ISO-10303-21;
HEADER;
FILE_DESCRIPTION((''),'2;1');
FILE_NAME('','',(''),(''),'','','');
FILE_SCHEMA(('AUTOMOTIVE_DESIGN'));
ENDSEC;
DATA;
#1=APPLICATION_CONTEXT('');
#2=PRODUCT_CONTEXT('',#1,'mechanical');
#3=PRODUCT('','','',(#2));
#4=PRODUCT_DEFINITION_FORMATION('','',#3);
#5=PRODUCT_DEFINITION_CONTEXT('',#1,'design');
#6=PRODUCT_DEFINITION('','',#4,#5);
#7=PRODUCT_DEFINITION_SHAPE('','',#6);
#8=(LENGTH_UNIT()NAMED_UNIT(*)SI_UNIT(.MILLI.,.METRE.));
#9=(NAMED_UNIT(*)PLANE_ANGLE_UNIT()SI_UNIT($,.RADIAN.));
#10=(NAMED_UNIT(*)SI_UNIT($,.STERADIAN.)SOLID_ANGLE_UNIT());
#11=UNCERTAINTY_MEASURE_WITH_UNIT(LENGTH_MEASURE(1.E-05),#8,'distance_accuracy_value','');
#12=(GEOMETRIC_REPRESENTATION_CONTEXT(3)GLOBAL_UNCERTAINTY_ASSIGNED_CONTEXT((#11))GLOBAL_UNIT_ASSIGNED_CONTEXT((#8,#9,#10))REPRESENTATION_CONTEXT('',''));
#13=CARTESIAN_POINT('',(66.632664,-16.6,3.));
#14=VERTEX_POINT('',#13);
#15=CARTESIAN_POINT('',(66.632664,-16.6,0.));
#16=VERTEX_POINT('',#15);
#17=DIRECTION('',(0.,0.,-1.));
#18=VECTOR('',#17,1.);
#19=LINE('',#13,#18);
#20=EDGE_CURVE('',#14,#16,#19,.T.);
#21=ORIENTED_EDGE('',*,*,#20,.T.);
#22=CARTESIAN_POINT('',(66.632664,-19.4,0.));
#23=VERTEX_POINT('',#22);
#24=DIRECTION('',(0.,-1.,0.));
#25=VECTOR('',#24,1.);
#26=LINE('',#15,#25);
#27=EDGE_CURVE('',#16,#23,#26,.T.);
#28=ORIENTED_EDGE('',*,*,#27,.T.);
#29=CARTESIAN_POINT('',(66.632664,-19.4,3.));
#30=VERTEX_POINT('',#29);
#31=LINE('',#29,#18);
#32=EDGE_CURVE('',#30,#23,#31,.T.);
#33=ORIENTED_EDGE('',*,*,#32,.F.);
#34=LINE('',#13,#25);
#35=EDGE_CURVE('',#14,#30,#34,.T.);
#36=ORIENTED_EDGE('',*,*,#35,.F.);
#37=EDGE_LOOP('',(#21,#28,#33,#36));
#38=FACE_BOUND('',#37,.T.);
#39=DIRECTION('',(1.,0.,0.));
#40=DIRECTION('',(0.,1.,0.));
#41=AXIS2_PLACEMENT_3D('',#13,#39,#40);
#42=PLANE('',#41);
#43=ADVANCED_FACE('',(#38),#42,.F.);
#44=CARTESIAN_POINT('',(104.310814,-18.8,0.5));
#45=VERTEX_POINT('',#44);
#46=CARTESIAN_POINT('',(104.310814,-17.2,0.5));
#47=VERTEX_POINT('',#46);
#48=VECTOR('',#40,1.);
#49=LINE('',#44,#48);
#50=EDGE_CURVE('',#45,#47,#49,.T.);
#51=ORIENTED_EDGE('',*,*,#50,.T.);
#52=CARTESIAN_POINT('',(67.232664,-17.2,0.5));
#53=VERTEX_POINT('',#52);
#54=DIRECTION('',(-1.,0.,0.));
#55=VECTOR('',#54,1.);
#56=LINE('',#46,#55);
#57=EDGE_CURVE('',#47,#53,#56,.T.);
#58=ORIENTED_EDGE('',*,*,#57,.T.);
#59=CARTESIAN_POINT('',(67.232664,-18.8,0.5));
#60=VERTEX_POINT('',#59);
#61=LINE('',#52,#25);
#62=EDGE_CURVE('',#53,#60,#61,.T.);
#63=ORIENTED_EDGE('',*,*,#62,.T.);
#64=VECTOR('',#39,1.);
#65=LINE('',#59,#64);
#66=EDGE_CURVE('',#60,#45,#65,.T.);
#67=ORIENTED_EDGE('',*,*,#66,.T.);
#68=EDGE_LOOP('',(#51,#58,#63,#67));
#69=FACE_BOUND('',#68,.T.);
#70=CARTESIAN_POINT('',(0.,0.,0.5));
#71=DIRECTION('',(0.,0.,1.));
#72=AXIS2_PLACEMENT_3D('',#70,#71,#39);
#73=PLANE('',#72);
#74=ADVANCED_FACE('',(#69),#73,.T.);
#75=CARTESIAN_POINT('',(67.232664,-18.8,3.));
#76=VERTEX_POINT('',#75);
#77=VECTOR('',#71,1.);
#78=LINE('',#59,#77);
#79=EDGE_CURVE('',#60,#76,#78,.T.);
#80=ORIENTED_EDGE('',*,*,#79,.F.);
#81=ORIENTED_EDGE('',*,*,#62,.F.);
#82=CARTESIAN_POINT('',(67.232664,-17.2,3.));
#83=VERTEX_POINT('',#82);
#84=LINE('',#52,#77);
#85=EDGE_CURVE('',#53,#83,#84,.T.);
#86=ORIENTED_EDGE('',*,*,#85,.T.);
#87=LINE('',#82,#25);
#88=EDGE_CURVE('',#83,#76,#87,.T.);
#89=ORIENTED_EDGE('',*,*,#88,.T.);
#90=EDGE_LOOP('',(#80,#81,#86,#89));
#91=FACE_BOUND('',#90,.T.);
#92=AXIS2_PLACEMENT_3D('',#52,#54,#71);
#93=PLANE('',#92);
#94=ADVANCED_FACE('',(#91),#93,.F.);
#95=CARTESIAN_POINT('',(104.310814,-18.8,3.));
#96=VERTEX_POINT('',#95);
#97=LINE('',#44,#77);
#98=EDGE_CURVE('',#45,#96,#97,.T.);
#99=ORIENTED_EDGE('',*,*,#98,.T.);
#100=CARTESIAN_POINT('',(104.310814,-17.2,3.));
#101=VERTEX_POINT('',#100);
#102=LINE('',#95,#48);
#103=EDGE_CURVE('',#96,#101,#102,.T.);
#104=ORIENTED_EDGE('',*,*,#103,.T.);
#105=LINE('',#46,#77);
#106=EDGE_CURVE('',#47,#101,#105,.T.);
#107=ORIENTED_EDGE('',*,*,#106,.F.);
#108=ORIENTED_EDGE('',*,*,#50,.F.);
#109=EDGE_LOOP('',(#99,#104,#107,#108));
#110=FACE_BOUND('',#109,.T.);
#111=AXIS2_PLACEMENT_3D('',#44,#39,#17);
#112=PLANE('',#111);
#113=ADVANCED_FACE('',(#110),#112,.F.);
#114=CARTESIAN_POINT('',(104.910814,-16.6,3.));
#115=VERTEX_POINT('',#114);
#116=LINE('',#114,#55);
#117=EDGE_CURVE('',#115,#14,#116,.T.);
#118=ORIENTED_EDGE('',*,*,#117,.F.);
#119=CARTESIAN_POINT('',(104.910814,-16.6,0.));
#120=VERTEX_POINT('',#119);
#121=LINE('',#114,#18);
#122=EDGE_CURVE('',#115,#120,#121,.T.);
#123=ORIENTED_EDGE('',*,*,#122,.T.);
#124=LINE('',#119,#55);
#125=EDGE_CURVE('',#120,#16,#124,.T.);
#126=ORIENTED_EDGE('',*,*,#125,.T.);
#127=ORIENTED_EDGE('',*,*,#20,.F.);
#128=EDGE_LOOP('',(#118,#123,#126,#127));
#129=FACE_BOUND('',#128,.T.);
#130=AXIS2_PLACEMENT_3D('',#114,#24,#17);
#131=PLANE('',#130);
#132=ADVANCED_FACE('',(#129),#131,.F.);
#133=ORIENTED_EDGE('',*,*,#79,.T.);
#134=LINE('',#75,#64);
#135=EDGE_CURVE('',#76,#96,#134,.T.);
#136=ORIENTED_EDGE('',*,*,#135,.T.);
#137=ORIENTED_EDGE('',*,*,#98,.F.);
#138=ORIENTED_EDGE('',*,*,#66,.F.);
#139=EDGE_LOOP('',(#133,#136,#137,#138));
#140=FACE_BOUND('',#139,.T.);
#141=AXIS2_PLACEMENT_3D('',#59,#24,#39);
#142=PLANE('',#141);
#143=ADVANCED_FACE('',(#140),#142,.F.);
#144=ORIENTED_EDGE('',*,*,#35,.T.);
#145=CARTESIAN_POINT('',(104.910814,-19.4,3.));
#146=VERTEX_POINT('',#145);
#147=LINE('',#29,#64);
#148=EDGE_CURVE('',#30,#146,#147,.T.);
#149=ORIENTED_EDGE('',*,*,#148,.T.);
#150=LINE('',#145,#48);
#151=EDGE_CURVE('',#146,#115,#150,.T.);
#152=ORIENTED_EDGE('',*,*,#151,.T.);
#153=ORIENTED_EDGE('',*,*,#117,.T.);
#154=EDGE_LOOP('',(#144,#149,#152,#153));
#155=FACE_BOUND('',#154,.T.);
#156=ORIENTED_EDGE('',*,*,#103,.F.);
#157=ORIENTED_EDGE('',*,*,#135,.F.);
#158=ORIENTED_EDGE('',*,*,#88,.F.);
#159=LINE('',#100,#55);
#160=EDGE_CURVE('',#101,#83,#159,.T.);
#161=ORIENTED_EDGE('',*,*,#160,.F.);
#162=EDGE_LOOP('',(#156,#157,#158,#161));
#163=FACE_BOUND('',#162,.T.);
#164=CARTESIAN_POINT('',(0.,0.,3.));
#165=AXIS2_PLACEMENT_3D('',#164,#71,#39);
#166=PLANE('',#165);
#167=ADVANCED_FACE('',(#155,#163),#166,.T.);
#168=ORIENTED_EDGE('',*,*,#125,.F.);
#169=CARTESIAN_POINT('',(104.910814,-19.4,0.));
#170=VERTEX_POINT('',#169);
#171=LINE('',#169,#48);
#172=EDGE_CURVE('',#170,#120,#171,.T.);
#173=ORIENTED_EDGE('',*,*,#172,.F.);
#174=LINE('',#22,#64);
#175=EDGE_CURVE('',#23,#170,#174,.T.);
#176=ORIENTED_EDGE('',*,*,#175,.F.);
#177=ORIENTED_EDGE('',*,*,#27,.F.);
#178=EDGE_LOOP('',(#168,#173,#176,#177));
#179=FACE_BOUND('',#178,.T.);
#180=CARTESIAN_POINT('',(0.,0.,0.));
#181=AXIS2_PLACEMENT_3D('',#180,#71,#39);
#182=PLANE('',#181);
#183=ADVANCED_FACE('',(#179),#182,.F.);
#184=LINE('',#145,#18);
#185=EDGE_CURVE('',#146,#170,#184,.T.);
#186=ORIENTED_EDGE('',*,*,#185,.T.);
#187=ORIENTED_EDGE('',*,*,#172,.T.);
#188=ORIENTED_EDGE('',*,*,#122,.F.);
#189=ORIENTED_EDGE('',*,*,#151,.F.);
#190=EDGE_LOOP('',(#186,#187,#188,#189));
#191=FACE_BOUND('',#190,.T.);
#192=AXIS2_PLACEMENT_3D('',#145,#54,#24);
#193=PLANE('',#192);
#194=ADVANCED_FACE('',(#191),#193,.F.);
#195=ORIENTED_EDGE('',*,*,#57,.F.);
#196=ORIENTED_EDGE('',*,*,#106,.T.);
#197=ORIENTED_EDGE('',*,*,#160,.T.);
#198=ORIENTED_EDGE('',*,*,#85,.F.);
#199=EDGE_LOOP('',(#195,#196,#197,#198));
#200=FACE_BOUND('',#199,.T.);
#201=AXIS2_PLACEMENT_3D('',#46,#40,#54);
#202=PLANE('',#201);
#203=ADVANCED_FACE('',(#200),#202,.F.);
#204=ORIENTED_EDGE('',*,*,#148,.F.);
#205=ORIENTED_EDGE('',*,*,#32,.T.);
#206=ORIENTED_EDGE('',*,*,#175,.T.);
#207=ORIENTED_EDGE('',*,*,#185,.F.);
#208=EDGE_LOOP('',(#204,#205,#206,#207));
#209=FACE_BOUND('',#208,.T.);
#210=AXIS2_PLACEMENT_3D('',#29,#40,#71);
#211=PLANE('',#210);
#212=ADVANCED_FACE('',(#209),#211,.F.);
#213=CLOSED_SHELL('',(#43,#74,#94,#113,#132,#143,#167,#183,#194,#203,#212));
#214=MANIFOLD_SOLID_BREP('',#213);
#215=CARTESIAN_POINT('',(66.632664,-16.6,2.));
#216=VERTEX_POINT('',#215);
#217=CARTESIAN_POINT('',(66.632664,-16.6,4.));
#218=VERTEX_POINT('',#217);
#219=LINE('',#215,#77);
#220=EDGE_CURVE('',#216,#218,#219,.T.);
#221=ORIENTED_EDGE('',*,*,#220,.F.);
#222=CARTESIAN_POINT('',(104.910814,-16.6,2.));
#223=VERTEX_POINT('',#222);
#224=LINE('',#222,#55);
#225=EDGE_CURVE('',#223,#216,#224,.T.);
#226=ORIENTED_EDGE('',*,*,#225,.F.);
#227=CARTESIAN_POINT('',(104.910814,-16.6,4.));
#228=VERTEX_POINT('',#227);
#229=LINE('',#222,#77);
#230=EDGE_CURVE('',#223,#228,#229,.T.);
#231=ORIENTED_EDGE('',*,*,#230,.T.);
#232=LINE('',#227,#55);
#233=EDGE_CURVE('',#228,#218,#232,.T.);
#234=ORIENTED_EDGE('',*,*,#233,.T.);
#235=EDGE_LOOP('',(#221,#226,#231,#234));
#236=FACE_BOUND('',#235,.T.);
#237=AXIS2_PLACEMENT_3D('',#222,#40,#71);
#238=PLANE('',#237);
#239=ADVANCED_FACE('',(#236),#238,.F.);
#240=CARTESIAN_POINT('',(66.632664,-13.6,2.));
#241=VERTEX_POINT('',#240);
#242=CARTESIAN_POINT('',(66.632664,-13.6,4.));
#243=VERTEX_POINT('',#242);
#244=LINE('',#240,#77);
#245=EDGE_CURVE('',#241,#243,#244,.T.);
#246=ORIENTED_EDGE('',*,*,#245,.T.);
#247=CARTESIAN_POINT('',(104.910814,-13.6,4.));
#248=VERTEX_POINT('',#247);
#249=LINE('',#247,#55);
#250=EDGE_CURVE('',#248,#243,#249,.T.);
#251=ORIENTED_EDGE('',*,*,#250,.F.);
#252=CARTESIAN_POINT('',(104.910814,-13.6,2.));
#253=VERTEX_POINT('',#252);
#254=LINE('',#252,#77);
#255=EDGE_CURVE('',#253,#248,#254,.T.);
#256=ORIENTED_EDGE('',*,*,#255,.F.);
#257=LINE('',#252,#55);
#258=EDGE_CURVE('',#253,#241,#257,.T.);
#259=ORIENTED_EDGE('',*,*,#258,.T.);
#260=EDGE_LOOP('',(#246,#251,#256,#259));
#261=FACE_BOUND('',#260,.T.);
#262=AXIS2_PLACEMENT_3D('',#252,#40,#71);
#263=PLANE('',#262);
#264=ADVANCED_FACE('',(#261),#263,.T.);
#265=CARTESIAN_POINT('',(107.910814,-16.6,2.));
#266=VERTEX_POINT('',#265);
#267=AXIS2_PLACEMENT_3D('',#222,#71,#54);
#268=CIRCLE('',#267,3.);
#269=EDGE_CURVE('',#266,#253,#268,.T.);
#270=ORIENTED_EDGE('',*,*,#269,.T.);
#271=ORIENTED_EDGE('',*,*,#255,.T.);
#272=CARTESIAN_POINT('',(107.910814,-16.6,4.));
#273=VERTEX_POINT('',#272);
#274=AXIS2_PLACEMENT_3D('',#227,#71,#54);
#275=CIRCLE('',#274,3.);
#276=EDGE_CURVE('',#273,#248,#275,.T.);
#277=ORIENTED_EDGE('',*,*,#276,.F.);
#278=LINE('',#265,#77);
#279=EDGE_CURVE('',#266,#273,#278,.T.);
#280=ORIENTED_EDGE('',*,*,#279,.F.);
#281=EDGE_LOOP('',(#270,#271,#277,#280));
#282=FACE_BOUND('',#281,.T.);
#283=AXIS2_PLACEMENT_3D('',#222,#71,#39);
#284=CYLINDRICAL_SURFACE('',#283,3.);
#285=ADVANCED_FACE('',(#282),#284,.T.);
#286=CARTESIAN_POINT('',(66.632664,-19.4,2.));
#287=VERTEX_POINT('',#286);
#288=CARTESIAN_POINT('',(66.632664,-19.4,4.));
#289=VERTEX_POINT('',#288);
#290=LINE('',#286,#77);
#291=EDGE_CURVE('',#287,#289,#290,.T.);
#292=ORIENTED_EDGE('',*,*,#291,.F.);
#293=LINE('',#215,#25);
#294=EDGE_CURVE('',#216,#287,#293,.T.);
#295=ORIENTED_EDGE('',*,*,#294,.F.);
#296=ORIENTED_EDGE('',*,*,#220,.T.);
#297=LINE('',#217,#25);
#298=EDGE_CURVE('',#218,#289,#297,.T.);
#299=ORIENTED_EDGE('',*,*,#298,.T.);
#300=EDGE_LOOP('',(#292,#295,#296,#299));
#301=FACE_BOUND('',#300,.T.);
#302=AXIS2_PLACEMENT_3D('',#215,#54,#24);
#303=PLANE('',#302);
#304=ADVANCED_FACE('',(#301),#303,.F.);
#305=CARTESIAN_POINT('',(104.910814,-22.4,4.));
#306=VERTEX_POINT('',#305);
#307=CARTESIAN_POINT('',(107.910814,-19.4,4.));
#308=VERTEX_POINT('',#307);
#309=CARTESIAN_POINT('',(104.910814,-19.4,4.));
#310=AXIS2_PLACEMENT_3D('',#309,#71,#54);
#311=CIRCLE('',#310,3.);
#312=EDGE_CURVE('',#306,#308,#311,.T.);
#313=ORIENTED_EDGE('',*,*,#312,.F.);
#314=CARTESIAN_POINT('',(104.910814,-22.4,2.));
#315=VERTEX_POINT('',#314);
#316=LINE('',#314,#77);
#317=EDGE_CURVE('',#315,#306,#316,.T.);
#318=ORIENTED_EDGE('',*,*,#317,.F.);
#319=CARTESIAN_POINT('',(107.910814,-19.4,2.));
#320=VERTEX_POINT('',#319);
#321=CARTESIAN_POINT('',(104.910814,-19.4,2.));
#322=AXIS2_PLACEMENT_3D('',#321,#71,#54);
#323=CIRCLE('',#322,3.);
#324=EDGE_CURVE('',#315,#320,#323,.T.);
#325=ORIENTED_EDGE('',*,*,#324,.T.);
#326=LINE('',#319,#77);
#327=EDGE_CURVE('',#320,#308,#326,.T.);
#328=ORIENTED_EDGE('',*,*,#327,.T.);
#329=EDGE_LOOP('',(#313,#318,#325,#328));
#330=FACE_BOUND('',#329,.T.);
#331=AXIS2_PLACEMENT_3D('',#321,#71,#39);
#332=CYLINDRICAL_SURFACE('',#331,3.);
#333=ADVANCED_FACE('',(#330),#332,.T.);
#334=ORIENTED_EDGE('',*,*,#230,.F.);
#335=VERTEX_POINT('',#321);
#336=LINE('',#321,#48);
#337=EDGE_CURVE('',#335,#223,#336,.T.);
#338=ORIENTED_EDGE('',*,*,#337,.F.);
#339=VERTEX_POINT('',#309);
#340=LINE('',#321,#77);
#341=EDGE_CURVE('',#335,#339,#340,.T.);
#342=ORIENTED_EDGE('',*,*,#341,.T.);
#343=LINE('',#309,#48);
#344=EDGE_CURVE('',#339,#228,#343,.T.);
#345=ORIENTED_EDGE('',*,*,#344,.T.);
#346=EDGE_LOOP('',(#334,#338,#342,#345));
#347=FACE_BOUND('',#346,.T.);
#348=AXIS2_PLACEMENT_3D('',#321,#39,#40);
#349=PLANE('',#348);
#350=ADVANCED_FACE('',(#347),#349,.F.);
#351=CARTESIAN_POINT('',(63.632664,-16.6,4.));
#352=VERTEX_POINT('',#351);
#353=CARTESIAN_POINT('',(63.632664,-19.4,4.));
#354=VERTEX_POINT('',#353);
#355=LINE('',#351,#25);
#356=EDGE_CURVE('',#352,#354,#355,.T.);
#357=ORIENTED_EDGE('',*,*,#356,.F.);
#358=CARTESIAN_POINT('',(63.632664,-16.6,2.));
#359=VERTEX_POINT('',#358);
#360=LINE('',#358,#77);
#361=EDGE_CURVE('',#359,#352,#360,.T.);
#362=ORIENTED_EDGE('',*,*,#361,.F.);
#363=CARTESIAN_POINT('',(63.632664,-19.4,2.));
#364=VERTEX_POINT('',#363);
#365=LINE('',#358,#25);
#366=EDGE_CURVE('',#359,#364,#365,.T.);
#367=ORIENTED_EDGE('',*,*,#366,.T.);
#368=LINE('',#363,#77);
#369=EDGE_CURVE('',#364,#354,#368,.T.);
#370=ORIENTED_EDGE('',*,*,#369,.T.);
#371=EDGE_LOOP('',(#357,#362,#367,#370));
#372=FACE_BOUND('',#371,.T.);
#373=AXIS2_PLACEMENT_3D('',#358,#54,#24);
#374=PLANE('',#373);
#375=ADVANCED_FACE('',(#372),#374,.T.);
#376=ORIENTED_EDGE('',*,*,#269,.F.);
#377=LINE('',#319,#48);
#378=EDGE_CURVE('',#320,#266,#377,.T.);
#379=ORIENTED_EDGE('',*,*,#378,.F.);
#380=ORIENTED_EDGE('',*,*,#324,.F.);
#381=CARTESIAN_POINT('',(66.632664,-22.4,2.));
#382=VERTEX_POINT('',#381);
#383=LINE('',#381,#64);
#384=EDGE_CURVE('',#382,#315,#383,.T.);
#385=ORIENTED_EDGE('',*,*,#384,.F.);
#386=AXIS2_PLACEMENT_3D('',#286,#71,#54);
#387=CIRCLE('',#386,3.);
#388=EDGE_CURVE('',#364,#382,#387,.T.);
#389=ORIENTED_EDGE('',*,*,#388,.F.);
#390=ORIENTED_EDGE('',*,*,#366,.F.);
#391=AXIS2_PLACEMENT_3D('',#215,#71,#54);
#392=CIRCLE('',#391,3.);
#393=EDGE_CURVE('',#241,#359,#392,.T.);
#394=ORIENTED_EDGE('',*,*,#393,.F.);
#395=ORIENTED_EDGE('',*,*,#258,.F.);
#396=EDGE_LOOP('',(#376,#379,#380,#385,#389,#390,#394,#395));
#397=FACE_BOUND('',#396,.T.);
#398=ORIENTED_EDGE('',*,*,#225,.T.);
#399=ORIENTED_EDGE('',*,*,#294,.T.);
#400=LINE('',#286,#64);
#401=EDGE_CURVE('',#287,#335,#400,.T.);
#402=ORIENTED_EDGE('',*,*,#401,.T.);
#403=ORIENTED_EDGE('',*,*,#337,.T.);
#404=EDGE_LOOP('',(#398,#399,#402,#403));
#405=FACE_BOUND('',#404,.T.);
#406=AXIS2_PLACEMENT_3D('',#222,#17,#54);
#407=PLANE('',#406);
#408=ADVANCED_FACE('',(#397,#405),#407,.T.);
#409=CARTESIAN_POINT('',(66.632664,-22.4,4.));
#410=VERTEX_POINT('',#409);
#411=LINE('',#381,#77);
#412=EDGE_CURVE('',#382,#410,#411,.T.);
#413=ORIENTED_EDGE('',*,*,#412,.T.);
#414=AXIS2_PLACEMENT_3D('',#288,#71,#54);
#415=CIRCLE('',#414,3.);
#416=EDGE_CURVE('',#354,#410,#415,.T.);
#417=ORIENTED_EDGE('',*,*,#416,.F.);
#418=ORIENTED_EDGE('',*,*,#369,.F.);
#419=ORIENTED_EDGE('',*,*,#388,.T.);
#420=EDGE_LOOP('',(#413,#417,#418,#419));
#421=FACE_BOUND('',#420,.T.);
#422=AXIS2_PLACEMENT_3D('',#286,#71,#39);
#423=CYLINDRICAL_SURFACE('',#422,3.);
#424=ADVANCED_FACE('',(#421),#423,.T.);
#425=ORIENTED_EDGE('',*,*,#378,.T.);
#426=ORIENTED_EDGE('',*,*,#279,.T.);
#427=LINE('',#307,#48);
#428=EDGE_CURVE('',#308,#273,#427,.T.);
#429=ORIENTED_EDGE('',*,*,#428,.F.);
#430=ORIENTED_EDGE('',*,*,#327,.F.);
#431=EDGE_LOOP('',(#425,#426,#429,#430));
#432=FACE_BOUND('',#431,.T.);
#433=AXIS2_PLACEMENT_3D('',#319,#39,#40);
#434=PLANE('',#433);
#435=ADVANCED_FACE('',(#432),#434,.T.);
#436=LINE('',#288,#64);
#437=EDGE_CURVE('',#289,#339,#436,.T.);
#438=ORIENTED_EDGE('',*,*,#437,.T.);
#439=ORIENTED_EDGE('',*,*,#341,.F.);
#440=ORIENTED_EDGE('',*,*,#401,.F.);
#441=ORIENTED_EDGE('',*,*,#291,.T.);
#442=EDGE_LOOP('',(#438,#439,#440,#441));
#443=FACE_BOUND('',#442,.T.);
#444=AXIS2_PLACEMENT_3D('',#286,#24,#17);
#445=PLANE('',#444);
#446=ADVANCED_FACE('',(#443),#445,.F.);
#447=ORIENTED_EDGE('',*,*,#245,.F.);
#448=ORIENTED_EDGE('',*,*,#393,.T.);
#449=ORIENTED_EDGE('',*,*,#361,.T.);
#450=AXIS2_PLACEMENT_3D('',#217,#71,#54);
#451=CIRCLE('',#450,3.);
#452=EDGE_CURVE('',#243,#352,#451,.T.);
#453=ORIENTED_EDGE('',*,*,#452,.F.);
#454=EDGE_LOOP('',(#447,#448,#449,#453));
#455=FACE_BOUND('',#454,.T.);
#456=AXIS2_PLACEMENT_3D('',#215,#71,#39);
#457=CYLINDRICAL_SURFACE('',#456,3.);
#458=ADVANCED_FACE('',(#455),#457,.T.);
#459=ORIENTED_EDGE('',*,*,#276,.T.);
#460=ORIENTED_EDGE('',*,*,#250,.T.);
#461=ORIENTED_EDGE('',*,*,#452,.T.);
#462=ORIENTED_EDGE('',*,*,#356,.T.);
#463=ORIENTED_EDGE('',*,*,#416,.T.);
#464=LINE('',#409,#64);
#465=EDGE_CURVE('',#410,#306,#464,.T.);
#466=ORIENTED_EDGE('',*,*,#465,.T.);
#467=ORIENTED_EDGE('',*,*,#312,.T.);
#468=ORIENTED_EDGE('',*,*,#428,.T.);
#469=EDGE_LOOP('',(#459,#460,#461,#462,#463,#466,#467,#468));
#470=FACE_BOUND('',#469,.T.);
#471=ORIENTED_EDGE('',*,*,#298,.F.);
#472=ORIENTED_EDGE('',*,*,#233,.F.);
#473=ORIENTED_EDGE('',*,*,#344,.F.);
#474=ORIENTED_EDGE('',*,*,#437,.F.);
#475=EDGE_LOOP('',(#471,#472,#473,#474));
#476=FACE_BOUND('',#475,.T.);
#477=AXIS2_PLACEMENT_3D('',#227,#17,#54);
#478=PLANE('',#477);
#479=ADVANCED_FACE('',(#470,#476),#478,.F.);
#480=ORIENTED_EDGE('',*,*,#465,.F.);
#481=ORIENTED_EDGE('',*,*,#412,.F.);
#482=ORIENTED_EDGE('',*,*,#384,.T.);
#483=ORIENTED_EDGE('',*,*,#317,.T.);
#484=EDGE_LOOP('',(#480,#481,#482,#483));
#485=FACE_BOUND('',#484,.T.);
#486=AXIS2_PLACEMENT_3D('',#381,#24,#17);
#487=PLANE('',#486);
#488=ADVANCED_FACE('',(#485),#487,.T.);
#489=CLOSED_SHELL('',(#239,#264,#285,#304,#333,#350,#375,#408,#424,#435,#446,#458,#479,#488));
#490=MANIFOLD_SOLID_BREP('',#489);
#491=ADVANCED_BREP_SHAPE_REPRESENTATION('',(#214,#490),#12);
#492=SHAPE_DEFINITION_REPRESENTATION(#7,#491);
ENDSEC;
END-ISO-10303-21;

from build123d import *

# Parameters (mm, degrees)
ESQUISSE1_W             = 38.278150704
ESQUISSE1_H             = 2.8
BOSS_EXTRU_1_DEPTH      = 3
ESQUISSE2_W             = 37.078150704
ESQUISSE2_H             = 1.6
ENL_V_MAT_EXTRU_1_DEPTH = 2.5
BOSS_EXTRU_2_DEPTH      = 1
BOSS_EXTRU_2_DEPTH_BACK = 1
ESQUISSE3_W             = 38.278150704
ESQUISSE3_H             = 2.8


with BuildPart() as part:
    # Esquisse1 → Boss.-Extru.1 (new body)
    with BuildSketch(Plane.XY):
        with Locations((85.771739029, -17.999999993)):
            Rectangle(ESQUISSE1_W, ESQUISSE1_H)
    extrude(amount=BOSS_EXTRU_1_DEPTH)

    # Esquisse2 → Enlèv. mat.-Extru.1 (cut)
    with BuildSketch(Plane.XY.offset(3)):
        with Locations((85.771739029, -17.999999993)):
            Rectangle(ESQUISSE2_W, ESQUISSE2_H)
    extrude(amount=-ENL_V_MAT_EXTRU_1_DEPTH, mode=Mode.SUBTRACT)


with BuildPart() as body_2:
    # Esquisse3 → Boss.-Extru.2 (new, two sides: drawn at the far end of the back side and taken through both)
    with BuildSketch(Plane.XY.offset(3).offset(-BOSS_EXTRU_2_DEPTH_BACK)):
        with BuildLine():
            Line((104.910814381, -13.599999993), (66.632663677, -13.599999993))
            ThreePointArc((66.632663677, -13.599999993), (64.511343334, -14.478679649), (63.632663677, -16.599999993))
            Line((63.632663677, -16.599999993), (63.632663677, -19.399999993))
            ThreePointArc((63.632663677, -19.399999993), (64.511343334, -21.521320336), (66.632663677, -22.399999993))
            Line((66.632663677, -22.399999993), (104.910814381, -22.399999993))
            ThreePointArc((104.910814381, -22.399999993), (107.032134724, -21.521320336), (107.910814381, -19.399999993))
            Line((107.910814381, -19.399999993), (107.910814381, -16.599999993))
            ThreePointArc((107.910814381, -16.599999993), (107.032134724, -14.478679649), (104.910814381, -13.599999993))
        make_face()
        with Locations((85.771739029, -17.999999993)):
            Rectangle(ESQUISSE3_W, ESQUISSE3_H, mode=Mode.SUBTRACT)
    extrude(amount=BOSS_EXTRU_2_DEPTH + BOSS_EXTRU_2_DEPTH_BACK)


solid = Compound([part.part, body_2.part])
